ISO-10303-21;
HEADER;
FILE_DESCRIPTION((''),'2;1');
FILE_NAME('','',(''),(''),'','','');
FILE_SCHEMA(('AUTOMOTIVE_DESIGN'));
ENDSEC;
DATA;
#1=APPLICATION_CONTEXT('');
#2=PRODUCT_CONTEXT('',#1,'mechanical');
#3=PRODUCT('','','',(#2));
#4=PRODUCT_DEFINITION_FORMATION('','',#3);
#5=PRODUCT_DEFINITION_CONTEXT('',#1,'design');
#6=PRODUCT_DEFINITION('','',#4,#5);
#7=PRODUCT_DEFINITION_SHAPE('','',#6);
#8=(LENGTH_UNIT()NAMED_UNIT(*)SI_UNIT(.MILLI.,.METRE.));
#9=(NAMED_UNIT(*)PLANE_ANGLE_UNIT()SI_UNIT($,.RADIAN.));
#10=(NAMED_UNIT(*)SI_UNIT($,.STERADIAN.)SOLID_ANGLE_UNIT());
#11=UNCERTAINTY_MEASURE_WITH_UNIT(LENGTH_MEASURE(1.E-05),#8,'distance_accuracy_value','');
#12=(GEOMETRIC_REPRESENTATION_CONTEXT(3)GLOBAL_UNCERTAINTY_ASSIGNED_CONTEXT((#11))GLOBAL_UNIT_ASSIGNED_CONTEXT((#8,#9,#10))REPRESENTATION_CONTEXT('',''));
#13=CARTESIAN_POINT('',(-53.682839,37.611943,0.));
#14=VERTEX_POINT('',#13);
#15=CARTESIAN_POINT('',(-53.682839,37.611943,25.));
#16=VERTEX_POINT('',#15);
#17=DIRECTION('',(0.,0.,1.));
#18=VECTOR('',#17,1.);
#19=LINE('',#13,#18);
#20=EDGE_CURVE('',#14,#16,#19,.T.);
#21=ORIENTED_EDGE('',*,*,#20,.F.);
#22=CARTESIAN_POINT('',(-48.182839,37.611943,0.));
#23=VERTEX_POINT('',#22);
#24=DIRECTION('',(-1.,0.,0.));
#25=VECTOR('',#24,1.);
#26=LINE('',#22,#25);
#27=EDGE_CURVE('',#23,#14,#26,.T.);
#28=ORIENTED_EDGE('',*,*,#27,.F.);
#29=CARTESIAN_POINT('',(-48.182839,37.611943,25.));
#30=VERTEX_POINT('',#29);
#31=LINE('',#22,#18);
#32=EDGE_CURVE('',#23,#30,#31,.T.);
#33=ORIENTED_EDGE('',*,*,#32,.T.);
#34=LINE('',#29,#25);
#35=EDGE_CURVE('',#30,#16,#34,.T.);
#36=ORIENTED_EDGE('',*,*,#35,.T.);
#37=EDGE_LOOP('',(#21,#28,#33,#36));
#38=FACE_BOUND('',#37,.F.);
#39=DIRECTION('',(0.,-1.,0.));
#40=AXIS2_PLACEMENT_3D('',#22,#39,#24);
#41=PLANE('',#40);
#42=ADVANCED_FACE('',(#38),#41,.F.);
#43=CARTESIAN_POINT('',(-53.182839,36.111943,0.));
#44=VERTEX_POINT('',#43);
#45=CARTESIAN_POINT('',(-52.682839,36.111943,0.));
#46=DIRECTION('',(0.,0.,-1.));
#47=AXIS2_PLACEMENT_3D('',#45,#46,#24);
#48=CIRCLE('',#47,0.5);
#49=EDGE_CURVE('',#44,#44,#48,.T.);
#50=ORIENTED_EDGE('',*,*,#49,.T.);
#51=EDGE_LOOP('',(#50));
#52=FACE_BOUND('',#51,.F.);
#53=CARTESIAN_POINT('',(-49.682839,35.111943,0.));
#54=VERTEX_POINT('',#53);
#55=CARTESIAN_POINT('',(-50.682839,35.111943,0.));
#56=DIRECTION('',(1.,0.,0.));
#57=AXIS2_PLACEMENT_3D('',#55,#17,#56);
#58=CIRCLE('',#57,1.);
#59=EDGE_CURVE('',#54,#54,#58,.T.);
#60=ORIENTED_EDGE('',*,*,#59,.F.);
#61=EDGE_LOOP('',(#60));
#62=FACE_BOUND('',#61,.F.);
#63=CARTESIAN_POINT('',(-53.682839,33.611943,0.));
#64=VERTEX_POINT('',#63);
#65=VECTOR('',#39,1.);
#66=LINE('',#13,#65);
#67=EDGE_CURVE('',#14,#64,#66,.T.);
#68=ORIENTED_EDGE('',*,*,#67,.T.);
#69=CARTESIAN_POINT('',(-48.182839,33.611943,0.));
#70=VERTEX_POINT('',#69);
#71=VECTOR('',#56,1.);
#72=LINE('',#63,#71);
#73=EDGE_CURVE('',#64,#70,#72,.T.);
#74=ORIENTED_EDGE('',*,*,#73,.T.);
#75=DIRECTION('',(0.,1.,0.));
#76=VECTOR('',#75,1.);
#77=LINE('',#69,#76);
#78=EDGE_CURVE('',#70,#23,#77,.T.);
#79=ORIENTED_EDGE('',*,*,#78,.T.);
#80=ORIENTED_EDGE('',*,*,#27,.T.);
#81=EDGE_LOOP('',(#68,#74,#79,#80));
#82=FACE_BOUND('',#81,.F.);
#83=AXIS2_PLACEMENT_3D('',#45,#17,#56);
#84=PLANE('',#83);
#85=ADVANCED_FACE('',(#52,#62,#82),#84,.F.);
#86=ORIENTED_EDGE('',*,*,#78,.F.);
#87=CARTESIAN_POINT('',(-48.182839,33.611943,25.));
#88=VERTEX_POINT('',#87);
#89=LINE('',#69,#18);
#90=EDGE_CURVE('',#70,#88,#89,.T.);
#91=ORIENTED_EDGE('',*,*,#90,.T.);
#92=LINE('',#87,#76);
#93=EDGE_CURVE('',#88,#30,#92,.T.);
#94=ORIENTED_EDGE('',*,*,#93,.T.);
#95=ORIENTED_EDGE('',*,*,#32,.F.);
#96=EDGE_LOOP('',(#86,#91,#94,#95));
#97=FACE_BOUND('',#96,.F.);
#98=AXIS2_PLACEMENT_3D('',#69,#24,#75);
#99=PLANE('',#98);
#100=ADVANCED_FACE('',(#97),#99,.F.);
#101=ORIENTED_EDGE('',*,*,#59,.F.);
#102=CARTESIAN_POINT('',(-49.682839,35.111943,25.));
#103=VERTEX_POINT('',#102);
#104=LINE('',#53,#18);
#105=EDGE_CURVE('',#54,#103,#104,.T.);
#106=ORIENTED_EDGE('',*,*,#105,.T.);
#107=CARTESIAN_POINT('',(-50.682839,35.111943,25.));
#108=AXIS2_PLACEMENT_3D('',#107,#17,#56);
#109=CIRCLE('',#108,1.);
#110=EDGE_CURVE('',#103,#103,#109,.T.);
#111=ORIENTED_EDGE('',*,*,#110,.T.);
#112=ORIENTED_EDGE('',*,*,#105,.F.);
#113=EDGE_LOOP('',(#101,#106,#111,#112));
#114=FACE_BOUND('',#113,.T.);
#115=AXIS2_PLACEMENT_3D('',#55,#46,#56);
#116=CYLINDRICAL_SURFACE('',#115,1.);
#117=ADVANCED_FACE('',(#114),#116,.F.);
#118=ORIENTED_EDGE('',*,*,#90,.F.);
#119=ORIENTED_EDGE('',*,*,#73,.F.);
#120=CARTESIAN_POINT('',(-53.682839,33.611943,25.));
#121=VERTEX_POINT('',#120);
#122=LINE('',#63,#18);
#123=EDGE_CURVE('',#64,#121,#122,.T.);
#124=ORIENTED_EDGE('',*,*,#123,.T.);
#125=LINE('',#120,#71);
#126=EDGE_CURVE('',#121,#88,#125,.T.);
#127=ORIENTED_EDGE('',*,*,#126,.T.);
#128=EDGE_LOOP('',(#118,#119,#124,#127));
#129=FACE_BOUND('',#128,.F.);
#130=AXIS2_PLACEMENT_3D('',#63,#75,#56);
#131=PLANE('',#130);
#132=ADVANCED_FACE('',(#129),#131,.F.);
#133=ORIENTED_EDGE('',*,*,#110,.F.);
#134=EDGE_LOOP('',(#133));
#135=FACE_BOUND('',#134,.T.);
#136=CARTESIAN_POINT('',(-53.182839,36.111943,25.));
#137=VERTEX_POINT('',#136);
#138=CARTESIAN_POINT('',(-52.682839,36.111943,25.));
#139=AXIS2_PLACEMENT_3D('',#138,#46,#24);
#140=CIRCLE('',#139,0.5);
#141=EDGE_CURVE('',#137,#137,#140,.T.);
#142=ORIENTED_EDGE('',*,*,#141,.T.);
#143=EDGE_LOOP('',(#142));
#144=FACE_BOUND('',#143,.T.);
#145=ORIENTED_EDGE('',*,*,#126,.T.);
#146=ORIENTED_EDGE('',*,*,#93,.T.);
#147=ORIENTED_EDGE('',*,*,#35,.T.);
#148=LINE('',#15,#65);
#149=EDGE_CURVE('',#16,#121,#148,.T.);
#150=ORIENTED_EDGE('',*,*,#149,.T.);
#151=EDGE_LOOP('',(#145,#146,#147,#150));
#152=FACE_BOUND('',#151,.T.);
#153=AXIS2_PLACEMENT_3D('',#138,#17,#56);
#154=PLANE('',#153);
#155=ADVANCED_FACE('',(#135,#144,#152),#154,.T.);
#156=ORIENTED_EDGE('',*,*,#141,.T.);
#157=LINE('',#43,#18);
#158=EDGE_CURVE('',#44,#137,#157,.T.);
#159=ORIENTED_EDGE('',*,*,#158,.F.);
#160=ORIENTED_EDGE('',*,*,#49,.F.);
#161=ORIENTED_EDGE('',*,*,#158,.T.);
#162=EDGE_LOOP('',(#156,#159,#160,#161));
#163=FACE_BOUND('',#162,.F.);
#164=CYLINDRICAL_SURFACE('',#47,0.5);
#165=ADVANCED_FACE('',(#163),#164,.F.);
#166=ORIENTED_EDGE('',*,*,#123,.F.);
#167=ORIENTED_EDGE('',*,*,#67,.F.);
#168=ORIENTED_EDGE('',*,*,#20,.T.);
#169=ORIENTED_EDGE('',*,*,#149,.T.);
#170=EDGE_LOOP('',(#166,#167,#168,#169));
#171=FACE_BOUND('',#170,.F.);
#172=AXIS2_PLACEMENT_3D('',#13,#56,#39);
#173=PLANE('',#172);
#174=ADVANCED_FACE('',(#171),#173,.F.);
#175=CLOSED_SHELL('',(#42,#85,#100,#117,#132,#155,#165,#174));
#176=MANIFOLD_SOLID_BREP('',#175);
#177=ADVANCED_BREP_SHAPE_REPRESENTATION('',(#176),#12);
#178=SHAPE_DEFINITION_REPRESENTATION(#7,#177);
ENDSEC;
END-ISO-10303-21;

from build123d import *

# Parameters (mm, degrees)
F0_R     = 1
F1_DEPTH = 25


with BuildPart() as f1:
    # F0 (on Top) → F1 (new body)
    with BuildSketch(Plane.XY):
        with BuildLine():
            ThreePointArc((-52.182839, 36.111943), (-52.682839, 36.611943), (-53.182839, 36.111943))
            ThreePointArc((-53.182839, 36.111943), (-52.682839, 35.611943), (-52.182839, 36.111943))
        make_face()
        Polygon((-52.682839, 37.611943), (-53.682839, 37.611943), (-53.682839, 36.111943), (-53.682839, 33.611943), (-50.682839, 33.611943), (-48.182839, 33.611943), (-48.182839, 35.111943), (-48.182839, 35.611943), (-49.337539, 37.611943), align=None)
        with Locations((-50.682839, 35.111943)):
            Circle(F0_R, mode=Mode.SUBTRACT)
        with BuildLine():
            ThreePointArc((-52.182839, 36.111943), (-52.682839, 35.611943), (-53.182839, 36.111943))
            ThreePointArc((-53.182839, 36.111943), (-52.682839, 36.611943), (-52.182839, 36.111943))
        make_face(mode=Mode.SUBTRACT)
        Polygon((-48.182839, 37.611943), (-49.337539, 37.611943), (-48.182839, 35.611943), align=None)
    extrude(amount=F1_DEPTH)


solid = f1.part
